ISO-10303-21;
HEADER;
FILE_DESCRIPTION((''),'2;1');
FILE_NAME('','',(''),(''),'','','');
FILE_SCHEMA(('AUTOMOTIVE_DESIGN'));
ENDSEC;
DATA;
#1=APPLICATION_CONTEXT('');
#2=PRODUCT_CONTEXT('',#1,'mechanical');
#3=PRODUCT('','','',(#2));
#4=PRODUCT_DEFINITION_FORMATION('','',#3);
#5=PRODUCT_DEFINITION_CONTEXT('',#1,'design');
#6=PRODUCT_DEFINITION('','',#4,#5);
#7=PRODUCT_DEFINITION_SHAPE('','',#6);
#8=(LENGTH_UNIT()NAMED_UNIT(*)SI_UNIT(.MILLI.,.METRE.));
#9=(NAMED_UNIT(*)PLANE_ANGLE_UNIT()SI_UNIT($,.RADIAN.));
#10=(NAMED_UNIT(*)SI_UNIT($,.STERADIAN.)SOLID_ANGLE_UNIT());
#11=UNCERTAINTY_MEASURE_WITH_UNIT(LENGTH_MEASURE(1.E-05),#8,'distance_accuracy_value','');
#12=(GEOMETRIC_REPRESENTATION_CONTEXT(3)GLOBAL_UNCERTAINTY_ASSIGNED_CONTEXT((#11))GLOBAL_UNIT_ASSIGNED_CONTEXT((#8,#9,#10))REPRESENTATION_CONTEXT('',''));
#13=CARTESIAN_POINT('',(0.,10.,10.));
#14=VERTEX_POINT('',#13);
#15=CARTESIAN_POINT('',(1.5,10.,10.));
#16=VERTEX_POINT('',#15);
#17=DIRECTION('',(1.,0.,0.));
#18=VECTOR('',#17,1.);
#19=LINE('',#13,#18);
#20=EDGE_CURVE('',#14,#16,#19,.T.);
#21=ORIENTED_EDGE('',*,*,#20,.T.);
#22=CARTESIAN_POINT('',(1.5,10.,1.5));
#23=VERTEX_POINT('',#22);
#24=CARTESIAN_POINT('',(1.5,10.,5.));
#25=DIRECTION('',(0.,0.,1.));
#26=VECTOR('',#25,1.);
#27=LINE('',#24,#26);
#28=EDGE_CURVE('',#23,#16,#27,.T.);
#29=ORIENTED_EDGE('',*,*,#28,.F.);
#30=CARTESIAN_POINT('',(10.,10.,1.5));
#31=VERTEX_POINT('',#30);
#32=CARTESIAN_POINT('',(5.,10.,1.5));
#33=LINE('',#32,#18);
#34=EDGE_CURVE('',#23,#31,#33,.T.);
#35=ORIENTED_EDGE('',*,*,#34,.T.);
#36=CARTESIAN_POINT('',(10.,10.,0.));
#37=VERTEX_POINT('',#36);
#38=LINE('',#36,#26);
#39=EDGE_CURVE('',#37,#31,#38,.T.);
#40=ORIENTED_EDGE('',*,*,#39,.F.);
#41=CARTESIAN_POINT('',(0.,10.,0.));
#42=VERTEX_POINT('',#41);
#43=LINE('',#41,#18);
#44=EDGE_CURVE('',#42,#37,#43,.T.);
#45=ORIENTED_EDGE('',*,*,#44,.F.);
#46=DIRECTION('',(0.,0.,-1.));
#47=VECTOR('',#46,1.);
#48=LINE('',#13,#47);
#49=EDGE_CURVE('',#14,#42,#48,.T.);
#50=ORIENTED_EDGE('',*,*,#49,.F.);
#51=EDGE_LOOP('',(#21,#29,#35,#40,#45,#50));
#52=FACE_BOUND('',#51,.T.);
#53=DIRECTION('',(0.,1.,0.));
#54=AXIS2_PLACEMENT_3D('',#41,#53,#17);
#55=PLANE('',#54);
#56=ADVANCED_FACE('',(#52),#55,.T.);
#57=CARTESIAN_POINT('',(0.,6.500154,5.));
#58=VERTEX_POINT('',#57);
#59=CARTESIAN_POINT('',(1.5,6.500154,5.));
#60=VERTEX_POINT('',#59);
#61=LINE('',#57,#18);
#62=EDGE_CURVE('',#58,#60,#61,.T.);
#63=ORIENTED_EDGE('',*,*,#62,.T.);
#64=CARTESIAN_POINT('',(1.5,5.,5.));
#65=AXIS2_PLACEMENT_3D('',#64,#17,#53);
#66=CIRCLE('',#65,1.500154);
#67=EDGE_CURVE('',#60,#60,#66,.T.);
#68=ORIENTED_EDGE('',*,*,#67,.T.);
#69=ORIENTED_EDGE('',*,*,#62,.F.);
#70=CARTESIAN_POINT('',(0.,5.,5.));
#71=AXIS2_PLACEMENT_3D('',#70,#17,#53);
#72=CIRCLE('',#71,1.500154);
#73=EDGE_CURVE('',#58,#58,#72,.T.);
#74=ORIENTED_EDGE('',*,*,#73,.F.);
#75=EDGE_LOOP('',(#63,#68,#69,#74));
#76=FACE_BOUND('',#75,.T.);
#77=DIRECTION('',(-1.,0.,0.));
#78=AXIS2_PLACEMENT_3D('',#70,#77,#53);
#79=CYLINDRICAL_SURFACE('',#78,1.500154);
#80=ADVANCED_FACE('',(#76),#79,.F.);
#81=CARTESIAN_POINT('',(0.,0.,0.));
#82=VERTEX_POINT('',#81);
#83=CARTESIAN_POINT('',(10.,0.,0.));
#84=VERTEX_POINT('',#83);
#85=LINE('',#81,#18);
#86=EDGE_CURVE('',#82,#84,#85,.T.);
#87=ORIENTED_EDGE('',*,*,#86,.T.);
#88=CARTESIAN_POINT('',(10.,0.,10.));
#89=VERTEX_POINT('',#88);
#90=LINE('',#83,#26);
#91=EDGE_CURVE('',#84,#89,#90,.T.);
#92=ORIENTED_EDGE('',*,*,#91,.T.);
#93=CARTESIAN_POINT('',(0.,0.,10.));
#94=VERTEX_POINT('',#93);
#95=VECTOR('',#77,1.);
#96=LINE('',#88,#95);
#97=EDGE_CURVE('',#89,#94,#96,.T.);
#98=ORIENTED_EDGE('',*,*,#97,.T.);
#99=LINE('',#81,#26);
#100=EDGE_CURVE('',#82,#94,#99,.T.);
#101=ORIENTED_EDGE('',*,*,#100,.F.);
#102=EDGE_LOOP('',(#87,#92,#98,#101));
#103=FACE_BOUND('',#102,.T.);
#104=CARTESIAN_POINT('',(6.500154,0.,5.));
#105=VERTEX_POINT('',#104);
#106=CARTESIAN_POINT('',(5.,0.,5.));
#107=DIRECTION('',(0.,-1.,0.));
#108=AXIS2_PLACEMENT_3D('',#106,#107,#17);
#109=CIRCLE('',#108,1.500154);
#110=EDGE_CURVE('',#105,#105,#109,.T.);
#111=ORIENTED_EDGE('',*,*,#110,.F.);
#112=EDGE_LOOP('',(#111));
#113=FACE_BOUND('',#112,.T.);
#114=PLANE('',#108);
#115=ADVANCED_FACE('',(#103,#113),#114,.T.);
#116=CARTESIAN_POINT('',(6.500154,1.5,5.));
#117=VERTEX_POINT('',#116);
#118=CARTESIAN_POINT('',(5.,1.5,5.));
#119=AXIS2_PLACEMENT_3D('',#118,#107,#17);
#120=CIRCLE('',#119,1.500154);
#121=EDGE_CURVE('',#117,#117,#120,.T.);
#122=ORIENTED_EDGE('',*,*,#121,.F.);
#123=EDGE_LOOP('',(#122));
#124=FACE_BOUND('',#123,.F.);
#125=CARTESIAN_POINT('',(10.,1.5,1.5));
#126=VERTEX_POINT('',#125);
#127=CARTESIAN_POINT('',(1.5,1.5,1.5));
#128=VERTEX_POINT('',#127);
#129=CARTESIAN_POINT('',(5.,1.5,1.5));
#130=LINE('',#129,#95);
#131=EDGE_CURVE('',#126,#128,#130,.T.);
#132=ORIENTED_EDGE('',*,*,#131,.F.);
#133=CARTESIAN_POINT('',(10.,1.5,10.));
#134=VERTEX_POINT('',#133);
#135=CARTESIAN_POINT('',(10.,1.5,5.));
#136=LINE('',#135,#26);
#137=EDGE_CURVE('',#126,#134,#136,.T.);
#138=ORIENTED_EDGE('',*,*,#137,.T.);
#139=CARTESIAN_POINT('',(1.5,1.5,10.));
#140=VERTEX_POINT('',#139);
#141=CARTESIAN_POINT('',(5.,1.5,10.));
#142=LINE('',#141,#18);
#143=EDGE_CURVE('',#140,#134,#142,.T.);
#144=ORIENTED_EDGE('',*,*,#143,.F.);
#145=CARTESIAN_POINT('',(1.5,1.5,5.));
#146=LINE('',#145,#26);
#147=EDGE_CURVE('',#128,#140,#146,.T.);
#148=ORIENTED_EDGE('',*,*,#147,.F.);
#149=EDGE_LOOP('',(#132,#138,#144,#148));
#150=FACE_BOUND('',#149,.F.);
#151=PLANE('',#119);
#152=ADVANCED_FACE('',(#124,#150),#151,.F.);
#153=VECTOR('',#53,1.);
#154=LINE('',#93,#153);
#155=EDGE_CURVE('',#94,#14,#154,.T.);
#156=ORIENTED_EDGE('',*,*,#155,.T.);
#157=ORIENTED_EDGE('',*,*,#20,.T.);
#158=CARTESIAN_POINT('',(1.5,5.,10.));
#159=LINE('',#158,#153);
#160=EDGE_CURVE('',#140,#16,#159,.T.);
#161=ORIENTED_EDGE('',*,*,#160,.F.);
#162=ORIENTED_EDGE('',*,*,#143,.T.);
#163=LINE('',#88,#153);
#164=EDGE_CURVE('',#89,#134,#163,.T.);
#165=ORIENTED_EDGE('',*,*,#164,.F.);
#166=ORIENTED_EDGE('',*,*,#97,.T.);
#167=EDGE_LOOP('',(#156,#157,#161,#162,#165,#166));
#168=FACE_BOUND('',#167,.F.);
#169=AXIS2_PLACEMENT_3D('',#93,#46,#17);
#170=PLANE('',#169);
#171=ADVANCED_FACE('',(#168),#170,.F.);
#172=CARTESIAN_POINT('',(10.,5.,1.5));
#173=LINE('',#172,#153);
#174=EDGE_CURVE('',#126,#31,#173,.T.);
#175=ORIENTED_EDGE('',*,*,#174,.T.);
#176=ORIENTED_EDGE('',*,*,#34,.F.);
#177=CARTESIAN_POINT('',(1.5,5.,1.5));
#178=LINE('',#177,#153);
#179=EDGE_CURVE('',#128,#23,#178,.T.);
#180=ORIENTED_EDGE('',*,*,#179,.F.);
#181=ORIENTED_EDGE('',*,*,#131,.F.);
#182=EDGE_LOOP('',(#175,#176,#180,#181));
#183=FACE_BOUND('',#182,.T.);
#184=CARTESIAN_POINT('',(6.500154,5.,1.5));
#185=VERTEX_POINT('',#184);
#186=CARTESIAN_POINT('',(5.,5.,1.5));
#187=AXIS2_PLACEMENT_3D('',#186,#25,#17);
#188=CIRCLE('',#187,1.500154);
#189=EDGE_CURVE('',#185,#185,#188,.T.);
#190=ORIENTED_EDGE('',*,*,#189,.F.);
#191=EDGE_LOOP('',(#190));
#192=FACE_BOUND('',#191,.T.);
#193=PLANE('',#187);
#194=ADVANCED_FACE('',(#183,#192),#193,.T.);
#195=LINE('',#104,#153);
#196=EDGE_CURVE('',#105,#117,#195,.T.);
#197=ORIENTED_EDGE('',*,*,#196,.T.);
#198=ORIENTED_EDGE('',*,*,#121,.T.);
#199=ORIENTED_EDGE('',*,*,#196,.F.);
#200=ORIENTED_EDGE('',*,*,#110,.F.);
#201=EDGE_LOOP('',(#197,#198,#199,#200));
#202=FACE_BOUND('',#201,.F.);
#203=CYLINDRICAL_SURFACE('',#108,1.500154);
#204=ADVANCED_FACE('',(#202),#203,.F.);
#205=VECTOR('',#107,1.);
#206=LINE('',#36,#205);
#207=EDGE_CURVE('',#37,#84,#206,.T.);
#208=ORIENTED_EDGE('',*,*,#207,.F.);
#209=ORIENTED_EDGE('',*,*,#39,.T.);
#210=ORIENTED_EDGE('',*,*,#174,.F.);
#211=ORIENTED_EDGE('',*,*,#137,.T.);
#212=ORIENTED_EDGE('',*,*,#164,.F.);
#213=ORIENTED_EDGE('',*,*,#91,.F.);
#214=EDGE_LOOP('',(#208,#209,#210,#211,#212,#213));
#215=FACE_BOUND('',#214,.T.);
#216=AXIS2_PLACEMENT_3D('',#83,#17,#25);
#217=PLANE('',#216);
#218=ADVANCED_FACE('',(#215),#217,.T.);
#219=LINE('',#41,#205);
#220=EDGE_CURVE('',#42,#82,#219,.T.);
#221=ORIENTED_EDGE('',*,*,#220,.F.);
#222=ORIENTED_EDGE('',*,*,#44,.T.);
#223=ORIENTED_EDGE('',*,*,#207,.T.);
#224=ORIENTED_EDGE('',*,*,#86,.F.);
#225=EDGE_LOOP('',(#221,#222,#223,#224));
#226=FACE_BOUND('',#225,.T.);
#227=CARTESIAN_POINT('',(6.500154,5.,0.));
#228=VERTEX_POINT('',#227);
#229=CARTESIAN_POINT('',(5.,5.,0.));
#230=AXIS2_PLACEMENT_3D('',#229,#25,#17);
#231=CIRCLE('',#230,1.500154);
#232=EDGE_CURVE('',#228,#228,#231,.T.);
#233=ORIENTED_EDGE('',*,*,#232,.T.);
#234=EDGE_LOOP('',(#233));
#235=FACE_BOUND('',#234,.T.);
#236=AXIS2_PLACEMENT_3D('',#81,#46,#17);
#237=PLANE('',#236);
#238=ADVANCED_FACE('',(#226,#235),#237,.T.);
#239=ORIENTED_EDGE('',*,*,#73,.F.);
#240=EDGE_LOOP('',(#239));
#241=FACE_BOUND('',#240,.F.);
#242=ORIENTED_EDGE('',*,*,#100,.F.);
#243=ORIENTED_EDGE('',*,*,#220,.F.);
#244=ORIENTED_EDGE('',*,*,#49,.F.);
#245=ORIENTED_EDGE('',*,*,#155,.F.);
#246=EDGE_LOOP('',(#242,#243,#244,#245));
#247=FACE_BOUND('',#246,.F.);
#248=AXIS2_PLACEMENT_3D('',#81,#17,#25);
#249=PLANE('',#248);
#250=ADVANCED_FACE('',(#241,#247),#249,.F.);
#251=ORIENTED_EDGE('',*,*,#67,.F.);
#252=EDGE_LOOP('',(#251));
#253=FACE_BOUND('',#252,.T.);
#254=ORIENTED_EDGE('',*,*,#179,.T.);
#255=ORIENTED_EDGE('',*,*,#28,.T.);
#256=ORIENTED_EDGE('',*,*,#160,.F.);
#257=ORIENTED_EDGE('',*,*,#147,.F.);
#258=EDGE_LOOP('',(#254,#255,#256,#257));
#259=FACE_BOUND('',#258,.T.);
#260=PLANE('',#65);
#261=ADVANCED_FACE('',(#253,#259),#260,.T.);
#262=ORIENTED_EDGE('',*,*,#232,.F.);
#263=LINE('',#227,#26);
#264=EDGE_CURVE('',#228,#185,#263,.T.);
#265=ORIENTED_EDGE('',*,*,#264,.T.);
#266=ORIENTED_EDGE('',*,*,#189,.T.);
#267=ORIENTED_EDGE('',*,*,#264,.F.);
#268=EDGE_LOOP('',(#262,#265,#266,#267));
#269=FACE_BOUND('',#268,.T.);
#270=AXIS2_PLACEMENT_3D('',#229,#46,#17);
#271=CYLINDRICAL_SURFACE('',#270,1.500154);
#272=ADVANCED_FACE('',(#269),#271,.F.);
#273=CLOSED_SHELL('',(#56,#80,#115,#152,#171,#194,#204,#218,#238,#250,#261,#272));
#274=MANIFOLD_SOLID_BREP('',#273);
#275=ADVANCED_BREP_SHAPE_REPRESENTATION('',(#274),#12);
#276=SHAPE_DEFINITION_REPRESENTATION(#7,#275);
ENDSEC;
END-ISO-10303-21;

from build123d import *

# Parameters (mm, degrees)
F0_W     = 10
F0_H     = 10
F0_R     = 1.500154
F3_DEPTH = 1.5
F2_W     = 10
F2_H     = 10
F2_R     = 1.500154
F4_DEPTH = 1.5
F1_W     = 10
F1_H     = 10
F1_R     = 1.500154
F5_DEPTH = 1.5


with BuildPart() as f3:
    # F0 (on Front) → F3 (new body)
    with BuildSketch(Plane.XZ):
        with Locations((5, 5)):
            Rectangle(F0_W, F0_H)
        with Locations((5, 5)):
            Circle(F0_R, mode=Mode.SUBTRACT)
    extrude(amount=-F3_DEPTH)

    # F2 (on Top) → F4 (join)
    with BuildSketch(Plane.XY):
        with Locations((5, 5)):
            Rectangle(F2_W, F2_H)
        with Locations((5, 5)):
            Circle(F2_R, mode=Mode.SUBTRACT)
    extrude(amount=F4_DEPTH)

    # F1 (on Right) → F5 (join)
    with BuildSketch(Plane.YZ):
        with Locations((5, 5)):
            Rectangle(F1_W, F1_H)
        with Locations((5, 5)):
            Circle(F1_R, mode=Mode.SUBTRACT)
    extrude(amount=F5_DEPTH)


solid = f3.part
